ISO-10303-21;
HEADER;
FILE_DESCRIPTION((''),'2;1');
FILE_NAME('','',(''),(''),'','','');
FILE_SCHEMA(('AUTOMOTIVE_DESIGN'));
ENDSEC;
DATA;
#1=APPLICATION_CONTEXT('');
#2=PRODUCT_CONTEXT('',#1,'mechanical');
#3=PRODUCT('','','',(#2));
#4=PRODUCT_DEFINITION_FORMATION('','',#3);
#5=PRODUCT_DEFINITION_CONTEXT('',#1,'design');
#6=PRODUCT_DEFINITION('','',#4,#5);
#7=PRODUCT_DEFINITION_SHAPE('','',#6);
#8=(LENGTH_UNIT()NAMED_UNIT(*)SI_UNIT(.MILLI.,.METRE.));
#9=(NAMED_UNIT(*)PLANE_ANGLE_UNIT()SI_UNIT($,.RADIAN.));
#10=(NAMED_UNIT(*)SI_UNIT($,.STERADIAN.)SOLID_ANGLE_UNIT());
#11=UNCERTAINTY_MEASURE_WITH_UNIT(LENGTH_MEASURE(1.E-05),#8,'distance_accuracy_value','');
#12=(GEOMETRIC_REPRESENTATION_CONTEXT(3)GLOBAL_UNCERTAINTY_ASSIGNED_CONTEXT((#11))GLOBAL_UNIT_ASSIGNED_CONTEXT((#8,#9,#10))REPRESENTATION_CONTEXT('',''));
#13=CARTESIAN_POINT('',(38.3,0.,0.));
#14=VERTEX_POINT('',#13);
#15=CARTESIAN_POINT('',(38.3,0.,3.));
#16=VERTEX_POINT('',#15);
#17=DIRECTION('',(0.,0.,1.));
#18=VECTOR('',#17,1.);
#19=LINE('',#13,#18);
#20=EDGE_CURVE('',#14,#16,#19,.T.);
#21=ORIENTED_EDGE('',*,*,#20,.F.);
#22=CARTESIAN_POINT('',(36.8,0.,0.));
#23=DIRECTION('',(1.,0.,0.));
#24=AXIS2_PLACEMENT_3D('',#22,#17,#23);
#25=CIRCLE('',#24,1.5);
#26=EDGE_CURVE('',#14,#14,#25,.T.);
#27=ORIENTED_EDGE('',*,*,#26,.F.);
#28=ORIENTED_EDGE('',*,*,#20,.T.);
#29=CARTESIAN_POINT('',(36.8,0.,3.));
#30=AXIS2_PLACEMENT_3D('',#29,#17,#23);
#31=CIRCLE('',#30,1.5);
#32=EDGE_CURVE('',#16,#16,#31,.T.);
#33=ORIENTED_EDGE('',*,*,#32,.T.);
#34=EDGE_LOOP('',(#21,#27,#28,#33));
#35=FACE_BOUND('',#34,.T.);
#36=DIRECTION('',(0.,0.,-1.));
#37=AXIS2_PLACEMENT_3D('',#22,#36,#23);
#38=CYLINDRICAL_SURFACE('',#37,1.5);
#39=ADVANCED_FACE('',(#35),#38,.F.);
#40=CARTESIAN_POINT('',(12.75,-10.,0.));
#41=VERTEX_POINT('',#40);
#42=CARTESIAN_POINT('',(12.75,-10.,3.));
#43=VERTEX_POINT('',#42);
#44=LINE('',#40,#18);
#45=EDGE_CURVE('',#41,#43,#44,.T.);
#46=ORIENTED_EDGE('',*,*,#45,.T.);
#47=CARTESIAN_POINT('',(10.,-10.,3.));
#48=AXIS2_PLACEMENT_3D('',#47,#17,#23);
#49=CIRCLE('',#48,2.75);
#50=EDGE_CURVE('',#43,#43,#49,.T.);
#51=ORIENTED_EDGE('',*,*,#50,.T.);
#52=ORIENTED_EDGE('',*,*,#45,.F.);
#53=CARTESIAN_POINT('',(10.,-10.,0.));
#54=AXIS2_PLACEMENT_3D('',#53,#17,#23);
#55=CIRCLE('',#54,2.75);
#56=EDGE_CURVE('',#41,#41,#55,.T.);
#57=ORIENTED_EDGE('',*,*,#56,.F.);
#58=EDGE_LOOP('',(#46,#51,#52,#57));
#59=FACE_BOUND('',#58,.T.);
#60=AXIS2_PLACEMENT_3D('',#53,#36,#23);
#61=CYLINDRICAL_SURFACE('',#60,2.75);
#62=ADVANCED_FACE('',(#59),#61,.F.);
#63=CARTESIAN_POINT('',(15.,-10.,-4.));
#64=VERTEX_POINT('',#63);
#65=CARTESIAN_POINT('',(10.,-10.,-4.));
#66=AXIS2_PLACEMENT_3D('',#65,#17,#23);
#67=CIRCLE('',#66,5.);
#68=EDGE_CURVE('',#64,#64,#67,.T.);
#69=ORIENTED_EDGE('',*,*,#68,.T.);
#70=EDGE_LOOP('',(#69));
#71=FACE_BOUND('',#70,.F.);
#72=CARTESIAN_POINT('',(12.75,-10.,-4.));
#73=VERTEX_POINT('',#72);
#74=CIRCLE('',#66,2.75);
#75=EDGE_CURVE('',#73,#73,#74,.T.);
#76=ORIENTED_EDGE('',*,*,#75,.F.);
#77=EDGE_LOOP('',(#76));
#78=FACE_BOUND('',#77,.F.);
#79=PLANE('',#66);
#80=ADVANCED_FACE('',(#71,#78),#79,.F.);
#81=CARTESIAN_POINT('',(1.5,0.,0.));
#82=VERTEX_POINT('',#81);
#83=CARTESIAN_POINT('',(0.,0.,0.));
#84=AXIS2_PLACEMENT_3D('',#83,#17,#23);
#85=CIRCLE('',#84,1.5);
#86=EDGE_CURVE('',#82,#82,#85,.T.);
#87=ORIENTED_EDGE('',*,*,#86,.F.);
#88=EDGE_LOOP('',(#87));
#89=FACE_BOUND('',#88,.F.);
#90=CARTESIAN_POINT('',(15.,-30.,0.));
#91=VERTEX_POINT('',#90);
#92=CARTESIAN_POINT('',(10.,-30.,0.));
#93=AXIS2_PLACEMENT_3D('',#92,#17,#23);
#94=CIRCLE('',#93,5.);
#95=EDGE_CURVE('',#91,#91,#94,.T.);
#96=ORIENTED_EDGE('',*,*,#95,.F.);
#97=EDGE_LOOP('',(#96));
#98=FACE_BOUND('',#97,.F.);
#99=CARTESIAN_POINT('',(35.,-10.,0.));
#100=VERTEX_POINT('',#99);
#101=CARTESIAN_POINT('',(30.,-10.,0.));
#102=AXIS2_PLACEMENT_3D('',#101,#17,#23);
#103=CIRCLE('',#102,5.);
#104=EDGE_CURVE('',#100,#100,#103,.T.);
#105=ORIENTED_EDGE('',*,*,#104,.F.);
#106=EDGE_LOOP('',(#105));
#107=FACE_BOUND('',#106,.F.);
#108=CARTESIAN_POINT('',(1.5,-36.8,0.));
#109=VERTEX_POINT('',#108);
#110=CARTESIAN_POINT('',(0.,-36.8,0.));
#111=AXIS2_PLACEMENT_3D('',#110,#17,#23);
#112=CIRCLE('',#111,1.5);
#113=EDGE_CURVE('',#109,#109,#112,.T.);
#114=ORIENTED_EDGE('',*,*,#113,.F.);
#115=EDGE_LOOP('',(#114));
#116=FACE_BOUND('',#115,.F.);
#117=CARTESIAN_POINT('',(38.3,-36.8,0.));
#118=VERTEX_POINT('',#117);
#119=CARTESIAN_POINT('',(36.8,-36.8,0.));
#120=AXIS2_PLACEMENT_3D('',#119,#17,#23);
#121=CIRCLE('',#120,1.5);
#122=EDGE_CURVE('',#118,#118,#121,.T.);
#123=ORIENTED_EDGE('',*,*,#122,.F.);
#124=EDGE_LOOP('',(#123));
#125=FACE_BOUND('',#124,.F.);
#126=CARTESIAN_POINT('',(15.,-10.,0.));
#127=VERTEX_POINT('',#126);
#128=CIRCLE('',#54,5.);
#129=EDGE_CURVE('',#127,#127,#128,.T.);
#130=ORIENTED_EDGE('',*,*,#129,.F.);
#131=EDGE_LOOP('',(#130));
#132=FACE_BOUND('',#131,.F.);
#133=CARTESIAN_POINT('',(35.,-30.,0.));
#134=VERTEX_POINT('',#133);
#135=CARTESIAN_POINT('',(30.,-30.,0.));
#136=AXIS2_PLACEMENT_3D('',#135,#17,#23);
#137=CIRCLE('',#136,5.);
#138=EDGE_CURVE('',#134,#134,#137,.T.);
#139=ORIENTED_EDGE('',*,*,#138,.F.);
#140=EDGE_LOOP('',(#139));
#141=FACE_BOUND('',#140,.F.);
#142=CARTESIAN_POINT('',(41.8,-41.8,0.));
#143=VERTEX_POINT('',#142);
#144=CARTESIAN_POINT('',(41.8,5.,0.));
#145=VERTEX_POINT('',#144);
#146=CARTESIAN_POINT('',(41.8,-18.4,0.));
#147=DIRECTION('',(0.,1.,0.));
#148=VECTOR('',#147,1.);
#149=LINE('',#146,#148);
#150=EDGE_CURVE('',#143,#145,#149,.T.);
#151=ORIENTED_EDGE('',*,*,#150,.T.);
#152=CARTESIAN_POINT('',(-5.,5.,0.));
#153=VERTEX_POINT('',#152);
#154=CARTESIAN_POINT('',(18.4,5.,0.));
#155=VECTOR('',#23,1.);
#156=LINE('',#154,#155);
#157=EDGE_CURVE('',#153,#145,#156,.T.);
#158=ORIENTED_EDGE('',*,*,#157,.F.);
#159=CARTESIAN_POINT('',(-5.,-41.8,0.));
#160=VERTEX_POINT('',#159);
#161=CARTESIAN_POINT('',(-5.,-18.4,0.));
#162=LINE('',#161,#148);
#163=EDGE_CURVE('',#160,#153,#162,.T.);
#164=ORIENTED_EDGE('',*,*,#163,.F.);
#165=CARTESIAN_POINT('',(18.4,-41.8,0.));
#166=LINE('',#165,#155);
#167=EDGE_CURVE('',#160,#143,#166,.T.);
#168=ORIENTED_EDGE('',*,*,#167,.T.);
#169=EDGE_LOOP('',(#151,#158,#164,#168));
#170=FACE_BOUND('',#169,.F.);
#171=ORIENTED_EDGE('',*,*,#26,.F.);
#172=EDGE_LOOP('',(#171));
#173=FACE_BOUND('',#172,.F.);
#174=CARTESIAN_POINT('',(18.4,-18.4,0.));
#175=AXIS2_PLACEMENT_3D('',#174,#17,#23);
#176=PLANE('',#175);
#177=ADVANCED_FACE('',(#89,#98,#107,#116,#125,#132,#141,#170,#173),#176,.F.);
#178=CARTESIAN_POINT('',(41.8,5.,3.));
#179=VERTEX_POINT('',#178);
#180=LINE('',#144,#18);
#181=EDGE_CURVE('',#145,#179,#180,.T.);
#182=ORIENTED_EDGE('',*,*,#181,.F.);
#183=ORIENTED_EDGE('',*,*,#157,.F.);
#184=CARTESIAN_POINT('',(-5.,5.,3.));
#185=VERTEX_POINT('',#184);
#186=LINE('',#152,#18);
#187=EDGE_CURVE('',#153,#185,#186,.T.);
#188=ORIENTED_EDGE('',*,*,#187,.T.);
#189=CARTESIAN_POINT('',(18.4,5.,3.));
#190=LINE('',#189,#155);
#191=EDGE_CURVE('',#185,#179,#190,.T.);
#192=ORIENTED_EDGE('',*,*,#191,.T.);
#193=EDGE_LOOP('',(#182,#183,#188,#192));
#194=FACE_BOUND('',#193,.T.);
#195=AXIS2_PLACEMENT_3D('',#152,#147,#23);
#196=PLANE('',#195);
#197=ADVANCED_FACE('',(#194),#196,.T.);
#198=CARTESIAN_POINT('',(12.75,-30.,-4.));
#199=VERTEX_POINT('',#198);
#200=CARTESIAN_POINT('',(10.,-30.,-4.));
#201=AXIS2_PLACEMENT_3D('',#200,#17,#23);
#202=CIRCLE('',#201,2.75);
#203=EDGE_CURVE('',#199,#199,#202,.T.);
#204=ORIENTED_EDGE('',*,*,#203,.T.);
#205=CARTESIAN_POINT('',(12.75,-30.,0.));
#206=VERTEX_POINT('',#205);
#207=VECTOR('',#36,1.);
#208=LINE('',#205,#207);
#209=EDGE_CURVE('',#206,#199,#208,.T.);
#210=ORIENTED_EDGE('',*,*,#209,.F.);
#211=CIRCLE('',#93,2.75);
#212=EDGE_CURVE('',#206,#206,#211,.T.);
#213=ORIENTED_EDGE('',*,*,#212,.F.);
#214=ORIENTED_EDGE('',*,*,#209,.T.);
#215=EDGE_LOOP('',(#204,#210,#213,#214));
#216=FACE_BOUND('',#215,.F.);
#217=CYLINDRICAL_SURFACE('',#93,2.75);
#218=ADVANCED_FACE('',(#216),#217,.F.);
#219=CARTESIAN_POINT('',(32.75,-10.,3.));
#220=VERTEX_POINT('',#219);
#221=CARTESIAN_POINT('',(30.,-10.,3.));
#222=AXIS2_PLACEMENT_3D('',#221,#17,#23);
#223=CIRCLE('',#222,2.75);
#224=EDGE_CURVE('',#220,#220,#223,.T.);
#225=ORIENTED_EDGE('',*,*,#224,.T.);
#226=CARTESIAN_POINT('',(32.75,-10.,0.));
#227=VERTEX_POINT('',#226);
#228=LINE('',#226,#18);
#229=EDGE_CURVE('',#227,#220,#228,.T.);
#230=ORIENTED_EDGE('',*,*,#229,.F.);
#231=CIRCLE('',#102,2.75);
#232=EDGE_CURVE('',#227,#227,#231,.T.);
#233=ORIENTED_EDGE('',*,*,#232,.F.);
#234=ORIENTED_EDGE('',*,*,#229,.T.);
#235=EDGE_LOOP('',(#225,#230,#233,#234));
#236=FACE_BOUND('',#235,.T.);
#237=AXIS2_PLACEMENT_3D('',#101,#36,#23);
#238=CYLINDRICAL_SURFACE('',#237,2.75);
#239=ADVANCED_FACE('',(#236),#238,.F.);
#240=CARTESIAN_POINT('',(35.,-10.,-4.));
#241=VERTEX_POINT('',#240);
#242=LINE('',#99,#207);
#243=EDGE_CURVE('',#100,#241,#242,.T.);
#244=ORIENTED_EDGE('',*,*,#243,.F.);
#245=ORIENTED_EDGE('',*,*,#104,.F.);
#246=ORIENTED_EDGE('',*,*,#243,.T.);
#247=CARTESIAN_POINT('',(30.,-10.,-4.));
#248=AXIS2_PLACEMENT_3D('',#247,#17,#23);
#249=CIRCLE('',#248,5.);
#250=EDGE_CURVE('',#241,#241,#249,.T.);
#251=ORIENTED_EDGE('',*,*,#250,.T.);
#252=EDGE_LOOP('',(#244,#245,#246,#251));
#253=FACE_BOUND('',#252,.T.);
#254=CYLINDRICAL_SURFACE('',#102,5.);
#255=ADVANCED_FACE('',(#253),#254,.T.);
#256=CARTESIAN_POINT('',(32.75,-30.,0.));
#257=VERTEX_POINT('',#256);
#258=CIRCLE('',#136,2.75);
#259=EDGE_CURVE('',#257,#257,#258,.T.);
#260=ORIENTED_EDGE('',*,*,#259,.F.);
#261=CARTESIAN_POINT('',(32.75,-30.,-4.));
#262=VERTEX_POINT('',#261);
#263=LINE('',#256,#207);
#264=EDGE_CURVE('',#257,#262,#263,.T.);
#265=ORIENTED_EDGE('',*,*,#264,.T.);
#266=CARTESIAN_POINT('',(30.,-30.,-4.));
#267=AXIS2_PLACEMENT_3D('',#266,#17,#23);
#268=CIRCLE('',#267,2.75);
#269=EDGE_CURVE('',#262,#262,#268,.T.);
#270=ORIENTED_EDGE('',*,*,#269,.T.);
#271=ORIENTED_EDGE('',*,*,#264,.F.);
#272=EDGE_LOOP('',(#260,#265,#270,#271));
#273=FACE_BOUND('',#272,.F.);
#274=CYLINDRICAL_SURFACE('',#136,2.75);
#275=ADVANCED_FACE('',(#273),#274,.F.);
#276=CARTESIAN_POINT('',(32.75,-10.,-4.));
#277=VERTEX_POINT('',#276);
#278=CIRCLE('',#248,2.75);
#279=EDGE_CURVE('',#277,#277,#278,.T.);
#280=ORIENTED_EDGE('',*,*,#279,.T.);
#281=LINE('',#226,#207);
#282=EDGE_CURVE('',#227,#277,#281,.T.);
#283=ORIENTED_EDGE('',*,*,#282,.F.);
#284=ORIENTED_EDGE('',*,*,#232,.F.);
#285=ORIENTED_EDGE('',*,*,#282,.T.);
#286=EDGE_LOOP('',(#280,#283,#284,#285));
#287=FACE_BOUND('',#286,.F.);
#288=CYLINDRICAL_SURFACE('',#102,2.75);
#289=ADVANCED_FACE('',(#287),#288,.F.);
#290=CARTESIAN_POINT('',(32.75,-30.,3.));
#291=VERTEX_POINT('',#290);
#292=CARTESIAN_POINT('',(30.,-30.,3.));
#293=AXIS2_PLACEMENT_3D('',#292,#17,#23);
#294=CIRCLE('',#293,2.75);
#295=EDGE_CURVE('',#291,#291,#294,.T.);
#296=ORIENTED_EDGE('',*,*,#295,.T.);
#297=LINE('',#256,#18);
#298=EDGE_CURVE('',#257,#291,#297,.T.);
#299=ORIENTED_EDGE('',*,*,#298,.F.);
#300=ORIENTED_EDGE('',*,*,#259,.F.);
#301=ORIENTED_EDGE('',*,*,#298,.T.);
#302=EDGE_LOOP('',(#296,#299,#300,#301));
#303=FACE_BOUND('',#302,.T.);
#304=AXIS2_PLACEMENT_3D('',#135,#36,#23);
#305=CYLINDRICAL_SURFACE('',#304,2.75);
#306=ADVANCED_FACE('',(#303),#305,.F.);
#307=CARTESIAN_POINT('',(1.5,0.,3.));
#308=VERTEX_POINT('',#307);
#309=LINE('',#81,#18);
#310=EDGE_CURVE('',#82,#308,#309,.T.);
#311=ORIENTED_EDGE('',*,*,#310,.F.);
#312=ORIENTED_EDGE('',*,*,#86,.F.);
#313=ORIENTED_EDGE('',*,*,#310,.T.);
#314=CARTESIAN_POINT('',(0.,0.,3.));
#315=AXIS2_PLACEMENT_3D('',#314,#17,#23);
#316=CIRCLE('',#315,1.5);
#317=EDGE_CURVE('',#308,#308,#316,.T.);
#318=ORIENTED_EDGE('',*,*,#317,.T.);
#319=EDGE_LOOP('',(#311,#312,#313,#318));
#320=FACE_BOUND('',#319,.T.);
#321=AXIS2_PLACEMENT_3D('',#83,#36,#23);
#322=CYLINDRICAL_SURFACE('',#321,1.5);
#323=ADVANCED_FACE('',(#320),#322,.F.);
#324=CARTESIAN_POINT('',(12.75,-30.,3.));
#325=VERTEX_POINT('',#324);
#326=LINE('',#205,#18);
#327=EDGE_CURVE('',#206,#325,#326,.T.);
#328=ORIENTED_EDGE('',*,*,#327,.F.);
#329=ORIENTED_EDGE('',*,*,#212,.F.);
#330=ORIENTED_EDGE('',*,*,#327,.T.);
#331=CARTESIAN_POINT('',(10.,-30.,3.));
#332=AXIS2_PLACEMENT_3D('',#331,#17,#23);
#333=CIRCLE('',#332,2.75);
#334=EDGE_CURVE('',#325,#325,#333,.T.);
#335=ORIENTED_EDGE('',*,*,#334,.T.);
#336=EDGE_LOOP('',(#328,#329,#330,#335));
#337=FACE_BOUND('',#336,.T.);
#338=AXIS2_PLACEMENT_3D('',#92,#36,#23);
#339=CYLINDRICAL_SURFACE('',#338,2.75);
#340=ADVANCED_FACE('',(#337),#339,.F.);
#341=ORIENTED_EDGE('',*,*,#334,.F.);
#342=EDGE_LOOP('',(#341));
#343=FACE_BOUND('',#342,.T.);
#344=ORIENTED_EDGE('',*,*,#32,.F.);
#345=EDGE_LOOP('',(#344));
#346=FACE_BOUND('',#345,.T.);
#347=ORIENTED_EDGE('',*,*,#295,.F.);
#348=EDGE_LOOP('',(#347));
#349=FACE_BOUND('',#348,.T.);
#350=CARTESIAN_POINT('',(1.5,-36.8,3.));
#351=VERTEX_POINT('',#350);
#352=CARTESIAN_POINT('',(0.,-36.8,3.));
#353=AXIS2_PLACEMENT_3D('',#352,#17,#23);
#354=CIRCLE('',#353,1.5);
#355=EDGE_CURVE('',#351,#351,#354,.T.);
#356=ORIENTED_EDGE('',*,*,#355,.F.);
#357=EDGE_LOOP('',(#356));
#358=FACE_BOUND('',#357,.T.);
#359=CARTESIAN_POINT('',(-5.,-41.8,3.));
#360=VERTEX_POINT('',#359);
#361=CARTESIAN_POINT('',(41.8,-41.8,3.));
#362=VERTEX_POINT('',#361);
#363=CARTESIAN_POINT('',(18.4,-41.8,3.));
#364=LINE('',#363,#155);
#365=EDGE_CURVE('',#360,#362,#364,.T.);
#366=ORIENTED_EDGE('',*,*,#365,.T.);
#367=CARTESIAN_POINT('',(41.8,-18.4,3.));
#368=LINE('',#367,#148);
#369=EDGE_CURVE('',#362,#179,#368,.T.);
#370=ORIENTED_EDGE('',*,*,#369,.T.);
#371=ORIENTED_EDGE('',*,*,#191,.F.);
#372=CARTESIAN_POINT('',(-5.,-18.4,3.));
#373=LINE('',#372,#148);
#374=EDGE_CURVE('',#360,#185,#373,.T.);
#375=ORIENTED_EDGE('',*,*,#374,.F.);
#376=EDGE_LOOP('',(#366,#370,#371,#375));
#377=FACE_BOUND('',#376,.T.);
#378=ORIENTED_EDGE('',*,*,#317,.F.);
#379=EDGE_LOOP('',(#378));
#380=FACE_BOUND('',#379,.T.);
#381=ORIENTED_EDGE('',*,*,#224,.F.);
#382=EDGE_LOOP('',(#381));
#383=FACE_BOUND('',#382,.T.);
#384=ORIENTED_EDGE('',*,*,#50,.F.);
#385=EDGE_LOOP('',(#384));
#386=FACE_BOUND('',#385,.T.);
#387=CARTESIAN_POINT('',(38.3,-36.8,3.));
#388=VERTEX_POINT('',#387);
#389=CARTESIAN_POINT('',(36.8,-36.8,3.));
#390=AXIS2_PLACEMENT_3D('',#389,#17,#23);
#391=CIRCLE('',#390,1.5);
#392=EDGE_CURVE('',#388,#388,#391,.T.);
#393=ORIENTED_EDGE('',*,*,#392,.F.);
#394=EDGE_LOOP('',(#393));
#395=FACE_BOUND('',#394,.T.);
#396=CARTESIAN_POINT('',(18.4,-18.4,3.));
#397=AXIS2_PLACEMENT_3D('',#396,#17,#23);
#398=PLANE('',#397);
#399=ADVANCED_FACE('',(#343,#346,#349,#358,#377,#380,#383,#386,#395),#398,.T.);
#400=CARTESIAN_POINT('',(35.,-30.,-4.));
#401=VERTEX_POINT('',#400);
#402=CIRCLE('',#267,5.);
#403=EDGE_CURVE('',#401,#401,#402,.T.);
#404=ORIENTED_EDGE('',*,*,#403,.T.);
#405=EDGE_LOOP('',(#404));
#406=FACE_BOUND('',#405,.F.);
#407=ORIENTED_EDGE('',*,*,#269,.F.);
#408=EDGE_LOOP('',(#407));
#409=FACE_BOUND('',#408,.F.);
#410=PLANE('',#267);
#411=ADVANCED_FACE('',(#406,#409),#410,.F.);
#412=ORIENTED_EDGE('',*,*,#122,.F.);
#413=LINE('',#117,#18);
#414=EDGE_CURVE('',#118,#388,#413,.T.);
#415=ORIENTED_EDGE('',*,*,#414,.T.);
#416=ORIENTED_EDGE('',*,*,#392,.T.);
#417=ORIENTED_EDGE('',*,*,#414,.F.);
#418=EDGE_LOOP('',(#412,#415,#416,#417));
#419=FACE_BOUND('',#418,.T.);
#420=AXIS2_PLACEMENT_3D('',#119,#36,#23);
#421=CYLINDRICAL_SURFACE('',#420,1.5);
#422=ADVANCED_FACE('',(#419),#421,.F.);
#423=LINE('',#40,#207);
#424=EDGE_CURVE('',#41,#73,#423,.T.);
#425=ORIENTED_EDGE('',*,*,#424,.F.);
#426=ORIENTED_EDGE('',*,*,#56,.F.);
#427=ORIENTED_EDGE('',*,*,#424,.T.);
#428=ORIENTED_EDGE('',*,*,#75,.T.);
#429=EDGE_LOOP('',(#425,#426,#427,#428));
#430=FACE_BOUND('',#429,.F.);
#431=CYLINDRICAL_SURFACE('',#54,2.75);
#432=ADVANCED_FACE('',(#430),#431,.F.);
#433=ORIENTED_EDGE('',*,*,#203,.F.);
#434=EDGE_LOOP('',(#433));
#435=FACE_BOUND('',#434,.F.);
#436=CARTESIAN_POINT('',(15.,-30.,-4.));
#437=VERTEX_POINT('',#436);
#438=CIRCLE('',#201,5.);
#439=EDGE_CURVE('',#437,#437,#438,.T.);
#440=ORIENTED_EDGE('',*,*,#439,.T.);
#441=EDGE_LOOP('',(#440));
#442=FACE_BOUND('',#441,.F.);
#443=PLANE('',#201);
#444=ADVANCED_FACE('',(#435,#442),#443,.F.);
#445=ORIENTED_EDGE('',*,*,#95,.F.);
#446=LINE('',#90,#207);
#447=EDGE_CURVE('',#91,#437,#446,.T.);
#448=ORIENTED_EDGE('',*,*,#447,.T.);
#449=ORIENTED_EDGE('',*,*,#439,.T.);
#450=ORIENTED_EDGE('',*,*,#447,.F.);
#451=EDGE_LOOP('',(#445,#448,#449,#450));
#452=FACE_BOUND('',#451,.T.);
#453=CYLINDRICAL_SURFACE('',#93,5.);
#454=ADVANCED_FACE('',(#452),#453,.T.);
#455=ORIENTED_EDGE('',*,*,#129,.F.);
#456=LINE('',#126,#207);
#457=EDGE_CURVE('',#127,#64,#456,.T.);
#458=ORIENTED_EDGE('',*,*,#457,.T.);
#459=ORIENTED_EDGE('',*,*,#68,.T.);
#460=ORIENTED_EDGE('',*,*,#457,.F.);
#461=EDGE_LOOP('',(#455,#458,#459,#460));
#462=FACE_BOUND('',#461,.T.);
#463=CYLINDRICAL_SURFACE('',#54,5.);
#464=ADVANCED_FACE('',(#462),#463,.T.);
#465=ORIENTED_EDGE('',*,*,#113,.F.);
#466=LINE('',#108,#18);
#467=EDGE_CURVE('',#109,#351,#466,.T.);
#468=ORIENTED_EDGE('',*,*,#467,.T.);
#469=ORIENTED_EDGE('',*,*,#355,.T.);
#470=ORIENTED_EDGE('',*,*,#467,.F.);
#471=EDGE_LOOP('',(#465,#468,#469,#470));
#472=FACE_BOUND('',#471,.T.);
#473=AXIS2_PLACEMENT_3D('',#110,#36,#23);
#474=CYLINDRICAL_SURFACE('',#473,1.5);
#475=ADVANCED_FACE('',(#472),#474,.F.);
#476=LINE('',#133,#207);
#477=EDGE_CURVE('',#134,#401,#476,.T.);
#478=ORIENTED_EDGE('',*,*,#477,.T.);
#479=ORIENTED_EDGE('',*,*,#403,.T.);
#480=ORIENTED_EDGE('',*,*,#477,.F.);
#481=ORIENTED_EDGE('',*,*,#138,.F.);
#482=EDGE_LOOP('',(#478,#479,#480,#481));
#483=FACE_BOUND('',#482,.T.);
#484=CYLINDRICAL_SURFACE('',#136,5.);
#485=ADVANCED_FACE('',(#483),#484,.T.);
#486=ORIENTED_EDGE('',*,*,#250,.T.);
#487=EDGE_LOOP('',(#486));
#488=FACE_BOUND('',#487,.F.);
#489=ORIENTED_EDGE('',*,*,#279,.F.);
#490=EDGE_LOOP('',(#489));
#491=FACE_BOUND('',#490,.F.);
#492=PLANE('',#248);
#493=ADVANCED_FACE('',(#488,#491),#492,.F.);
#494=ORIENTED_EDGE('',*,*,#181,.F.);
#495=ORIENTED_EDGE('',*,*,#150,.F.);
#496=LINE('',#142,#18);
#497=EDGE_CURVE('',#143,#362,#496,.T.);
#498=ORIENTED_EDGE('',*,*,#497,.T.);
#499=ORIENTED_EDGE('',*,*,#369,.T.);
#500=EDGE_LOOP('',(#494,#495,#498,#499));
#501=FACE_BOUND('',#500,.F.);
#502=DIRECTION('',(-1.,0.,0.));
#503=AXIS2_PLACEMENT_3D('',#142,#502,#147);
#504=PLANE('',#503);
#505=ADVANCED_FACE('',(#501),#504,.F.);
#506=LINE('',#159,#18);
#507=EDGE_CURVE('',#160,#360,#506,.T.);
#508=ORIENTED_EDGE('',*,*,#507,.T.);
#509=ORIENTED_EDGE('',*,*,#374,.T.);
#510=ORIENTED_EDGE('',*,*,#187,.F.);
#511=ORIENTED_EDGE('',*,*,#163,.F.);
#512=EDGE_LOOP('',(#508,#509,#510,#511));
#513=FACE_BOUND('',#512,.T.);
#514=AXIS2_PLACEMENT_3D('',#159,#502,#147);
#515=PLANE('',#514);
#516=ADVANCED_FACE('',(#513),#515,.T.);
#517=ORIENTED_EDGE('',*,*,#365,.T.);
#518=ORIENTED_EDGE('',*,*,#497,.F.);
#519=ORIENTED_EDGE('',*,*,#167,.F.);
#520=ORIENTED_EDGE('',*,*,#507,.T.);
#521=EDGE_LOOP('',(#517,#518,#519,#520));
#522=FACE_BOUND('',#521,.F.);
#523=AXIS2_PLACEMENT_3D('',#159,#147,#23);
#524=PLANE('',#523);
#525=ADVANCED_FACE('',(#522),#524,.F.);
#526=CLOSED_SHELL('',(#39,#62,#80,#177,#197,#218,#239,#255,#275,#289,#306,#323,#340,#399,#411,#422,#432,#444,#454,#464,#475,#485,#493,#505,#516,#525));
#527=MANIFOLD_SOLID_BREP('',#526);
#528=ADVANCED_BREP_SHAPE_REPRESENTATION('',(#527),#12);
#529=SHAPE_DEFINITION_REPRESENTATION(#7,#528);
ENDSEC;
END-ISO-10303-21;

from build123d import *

# Parameters (mm, degrees)
SKETCH_W      = 46.8
SKETCH_H      = 46.8
SKETCH_R      = 2.75
SKETCH_R_2    = 1.5
PAD_DEPTH     = 3
SKETCH001_R   = 5
SKETCH001_R_2 = 2.75
PAD001_DEPTH  = 4


with BuildPart() as part:
    # Sketch → Pad (new body)
    with BuildSketch(Plane.XY):
        with Locations((18.4, -18.4)):
            Rectangle(SKETCH_W, SKETCH_H)
        with Locations((10, -10)):
            Circle(SKETCH_R, mode=Mode.SUBTRACT)
        with Locations((30, -10)):
            Circle(SKETCH_R, mode=Mode.SUBTRACT)
        with Locations((30, -30)):
            Circle(SKETCH_R, mode=Mode.SUBTRACT)
        with Locations((10, -30)):
            Circle(SKETCH_R, mode=Mode.SUBTRACT)
        Circle(SKETCH_R_2, mode=Mode.SUBTRACT)
        with Locations((36.8, 0)):
            Circle(SKETCH_R_2, mode=Mode.SUBTRACT)
        with Locations((0, -36.8)):
            Circle(SKETCH_R_2, mode=Mode.SUBTRACT)
        with Locations((36.8, -36.8)):
            Circle(SKETCH_R_2, mode=Mode.SUBTRACT)
    extrude(amount=PAD_DEPTH)

    # Sketch001 → Pad001 (join)
    with BuildSketch(Plane.XY):
        with Locations((30, -10)):
            Circle(SKETCH001_R)
        with Locations((30, -10)):
            Circle(SKETCH001_R_2, mode=Mode.SUBTRACT)
        with Locations((10, -10)):
            Circle(SKETCH001_R)
        with Locations((10, -10)):
            Circle(SKETCH001_R_2, mode=Mode.SUBTRACT)
        with Locations((10, -30)):
            Circle(SKETCH001_R)
        with Locations((10, -30)):
            Circle(SKETCH001_R_2, mode=Mode.SUBTRACT)
        with Locations((30, -30)):
            Circle(SKETCH001_R)
        with Locations((30, -30)):
            Circle(SKETCH001_R_2, mode=Mode.SUBTRACT)
    extrude(amount=-PAD001_DEPTH)


solid = part.part
